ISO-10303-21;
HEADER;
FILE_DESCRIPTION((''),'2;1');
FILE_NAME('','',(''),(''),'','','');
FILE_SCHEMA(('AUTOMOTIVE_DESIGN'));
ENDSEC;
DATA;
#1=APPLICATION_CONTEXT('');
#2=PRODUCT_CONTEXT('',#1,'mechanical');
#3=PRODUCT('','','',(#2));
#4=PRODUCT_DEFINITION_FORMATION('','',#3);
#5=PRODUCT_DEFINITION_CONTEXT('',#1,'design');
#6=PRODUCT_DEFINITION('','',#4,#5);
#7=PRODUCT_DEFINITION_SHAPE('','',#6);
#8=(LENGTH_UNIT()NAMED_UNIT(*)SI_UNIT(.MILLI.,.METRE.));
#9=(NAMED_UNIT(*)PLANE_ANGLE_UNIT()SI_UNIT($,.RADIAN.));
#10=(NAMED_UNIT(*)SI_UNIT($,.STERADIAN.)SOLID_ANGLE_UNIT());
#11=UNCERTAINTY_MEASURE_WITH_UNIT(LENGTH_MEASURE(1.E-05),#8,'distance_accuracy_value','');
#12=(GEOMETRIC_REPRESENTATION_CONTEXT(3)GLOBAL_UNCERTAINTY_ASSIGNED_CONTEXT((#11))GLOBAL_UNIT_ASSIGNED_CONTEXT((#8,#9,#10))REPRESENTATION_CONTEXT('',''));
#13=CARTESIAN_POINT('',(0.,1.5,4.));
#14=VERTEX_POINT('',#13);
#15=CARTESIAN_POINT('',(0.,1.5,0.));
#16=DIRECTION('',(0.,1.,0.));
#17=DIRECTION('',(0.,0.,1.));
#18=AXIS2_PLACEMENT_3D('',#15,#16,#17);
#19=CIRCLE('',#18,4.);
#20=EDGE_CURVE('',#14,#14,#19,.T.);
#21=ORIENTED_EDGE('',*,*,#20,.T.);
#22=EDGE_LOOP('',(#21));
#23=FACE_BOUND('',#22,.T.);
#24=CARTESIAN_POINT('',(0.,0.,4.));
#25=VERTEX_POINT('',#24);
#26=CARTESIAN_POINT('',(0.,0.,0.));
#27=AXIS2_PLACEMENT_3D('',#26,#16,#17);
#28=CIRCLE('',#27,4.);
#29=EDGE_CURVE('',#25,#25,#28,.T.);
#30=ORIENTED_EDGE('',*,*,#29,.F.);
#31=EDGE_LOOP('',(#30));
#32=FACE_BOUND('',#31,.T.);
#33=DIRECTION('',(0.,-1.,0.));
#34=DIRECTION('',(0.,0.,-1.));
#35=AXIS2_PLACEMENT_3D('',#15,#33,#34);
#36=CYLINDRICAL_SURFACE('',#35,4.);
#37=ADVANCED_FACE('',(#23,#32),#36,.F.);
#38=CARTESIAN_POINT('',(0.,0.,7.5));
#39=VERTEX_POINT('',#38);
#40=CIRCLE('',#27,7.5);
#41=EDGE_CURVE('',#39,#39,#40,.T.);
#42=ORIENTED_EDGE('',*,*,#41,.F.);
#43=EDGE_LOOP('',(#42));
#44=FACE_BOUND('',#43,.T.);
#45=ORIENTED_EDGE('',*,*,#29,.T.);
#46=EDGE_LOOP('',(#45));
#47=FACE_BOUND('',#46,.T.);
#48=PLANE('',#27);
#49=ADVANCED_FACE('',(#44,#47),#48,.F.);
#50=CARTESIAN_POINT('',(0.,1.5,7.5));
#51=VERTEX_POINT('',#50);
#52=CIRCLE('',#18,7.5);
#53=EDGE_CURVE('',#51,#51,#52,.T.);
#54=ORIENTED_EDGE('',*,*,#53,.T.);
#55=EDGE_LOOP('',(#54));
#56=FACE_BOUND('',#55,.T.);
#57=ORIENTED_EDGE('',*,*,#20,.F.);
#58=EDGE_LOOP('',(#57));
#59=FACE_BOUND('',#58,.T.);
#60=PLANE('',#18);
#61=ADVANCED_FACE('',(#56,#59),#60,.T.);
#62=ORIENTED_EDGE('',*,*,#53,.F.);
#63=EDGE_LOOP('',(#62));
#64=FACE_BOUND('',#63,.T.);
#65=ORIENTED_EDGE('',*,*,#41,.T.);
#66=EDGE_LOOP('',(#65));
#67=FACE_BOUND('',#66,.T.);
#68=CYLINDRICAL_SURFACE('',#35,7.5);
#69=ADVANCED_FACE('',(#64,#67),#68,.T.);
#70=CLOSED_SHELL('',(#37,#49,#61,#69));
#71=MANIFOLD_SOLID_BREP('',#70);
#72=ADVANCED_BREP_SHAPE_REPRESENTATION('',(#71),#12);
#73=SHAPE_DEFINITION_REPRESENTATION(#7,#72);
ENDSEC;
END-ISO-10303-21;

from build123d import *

# Parameters (mm, degrees)
IZIM1_R                     = 7.5
IZIM1_R_2                   = 4
Y_KSEKLIK_EKSTR_ZYON1_DEPTH = 1.5


with BuildPart() as part:
    # Çizim1 → Yükseklik-Ekstrüzyon1 (new body)
    with BuildSketch(Plane(origin=(0, 0, 0), x_dir=(1, 0, 0), z_dir=(0, 1, 0))):
        with Locations(Location((0, 0, 0), (0, 0, 270))):
            Circle(IZIM1_R)
        with Locations(Location((0, 0, 0), (0, 0, 270))):
            Circle(IZIM1_R_2, mode=Mode.SUBTRACT)
    extrude(amount=Y_KSEKLIK_EKSTR_ZYON1_DEPTH)


solid = part.part
